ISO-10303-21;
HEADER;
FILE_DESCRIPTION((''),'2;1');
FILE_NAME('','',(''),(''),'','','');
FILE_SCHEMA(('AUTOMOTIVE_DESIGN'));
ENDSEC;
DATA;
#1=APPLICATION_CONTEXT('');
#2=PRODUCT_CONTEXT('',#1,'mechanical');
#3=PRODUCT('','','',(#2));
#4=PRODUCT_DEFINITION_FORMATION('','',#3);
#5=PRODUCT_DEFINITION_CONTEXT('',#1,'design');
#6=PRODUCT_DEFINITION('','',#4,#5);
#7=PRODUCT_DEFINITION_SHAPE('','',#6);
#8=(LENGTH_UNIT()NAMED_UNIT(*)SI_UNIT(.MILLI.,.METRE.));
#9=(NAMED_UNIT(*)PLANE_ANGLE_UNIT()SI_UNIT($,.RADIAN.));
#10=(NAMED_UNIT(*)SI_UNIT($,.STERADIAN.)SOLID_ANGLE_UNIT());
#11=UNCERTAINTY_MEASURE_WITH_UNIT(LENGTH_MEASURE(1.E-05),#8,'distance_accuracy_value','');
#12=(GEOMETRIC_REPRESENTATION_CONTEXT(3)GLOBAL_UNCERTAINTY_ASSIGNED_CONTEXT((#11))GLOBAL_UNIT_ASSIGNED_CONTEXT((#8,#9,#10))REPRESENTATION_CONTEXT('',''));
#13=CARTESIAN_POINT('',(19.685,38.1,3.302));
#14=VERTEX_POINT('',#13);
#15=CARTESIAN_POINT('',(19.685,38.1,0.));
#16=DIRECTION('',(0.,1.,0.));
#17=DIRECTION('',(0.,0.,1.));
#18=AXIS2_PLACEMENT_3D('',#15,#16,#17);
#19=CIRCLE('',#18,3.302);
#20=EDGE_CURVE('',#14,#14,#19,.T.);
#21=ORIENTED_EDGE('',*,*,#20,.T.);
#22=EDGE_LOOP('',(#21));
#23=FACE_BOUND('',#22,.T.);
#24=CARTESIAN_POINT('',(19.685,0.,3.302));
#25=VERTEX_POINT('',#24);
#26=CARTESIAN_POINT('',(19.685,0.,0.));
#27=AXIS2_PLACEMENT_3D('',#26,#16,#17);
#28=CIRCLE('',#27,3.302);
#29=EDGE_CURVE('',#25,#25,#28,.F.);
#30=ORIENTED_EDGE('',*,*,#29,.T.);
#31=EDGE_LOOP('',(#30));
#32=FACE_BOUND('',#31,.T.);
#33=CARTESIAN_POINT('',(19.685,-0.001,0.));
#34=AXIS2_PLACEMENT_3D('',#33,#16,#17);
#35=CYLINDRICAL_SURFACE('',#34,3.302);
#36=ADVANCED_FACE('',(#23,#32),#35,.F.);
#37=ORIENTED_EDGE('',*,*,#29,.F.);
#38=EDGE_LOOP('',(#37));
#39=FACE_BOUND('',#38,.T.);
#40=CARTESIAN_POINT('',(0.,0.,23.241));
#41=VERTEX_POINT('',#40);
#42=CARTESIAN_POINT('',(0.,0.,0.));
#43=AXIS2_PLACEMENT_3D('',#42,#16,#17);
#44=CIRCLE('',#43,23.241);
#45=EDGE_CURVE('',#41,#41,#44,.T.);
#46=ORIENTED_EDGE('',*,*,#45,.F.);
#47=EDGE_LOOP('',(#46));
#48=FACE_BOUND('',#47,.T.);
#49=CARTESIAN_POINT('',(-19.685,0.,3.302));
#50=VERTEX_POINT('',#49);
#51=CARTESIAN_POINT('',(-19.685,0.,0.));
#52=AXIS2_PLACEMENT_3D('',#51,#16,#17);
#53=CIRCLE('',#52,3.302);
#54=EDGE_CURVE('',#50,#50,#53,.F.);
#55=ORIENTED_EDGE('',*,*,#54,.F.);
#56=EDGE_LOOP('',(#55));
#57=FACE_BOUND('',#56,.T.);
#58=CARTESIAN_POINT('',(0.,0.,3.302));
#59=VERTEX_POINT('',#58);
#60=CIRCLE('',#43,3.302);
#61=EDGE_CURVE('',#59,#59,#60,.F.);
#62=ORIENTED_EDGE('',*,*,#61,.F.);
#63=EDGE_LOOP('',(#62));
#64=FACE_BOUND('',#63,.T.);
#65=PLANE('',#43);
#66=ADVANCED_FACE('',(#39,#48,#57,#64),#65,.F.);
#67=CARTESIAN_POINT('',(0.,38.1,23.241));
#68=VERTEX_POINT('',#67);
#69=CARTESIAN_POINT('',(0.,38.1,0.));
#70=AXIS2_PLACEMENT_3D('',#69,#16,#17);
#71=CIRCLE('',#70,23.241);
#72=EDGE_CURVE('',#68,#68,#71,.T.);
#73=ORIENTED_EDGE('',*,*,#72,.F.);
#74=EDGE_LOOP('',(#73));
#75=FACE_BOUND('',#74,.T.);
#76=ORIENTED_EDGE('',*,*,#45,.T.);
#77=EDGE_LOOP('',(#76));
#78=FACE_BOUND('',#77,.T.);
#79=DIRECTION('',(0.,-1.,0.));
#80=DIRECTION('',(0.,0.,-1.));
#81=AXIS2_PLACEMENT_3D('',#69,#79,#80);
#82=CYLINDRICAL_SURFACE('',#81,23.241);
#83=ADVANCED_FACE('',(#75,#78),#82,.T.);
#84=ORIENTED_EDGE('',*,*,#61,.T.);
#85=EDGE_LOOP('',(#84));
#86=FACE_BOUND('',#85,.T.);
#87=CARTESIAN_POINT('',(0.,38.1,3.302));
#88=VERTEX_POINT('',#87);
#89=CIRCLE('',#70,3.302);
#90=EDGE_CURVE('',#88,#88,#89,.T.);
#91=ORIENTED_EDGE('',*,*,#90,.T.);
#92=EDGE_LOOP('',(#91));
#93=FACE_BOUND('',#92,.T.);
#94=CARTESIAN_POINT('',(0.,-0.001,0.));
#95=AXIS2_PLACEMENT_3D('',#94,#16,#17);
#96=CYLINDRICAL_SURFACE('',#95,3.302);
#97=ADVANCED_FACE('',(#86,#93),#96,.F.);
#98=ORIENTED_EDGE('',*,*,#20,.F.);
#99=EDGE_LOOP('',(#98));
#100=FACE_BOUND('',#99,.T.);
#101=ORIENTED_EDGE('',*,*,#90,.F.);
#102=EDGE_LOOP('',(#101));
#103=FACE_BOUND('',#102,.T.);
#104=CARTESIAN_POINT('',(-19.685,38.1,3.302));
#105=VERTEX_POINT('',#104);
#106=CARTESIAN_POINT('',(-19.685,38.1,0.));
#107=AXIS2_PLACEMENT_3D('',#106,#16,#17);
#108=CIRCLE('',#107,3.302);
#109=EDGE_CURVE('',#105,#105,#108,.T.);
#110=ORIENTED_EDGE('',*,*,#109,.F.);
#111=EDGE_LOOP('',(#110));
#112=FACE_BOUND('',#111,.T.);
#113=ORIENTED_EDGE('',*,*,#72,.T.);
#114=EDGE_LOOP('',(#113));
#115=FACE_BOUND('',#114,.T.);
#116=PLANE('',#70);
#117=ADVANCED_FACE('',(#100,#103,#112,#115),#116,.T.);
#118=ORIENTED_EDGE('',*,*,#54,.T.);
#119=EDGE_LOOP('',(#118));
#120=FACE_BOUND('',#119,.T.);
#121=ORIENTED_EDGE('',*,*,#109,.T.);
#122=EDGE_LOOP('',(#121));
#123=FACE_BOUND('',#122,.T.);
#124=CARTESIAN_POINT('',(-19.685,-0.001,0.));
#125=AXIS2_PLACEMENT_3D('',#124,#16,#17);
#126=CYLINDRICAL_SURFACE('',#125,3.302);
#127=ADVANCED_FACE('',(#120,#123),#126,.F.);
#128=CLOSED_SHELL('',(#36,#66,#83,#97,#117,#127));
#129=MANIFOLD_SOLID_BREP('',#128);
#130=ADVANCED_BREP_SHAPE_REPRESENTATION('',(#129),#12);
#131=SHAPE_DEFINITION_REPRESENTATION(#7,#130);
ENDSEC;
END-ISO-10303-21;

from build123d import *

# Parameters (mm, degrees)
SKETCH1_R           = 23.241
BOSS_EXTRUDE1_DEPTH = 38.1
CUT_EXTRUDE1_REACH  = 40.1
SKETCH2_R           = 3.302
CUT_EXTRUDE2_REACH  = 40.1
SKETCH3_R           = 3.302


with BuildPart() as part:
    # Sketch1 → Boss-Extrude1 (new body)
    with BuildSketch(Plane(origin=(0, 0, 0), x_dir=(1, 0, 0), z_dir=(0, 1, 0))):
        Circle(SKETCH1_R)
    extrude(amount=BOSS_EXTRUDE1_DEPTH)

    # Sketch2 → Cut-Extrude1 (cut, up to next)
    with BuildSketch(Plane(origin=(0, 38.1, 0), x_dir=(1, 0, 0), z_dir=(0, 1, 0)), mode=Mode.PRIVATE) as cut_extrude1_sk1:
        with Locations((19.685, 0)):
            Circle(SKETCH2_R)
    cut_extrude1_tool1 = extrude(cut_extrude1_sk1.sketch, amount=-CUT_EXTRUDE1_REACH, mode=Mode.PRIVATE) & part.part
    add(cut_extrude1_tool1.solids().sort_by_distance((19.685, 38.1, 0))[0], mode=Mode.SUBTRACT)
    # Sketch2 → Cut-Extrude1 (cut, up to next)
    with BuildSketch(Plane(origin=(0, 38.1, 0), x_dir=(1, 0, 0), z_dir=(0, 1, 0)), mode=Mode.PRIVATE) as cut_extrude1_sk2:
        with Locations((-19.685, 0)):
            Circle(SKETCH2_R)
    cut_extrude1_tool2 = extrude(cut_extrude1_sk2.sketch, amount=-CUT_EXTRUDE1_REACH, mode=Mode.PRIVATE) & part.part
    add(cut_extrude1_tool2.solids().sort_by_distance((-19.685, 38.1, 0))[0], mode=Mode.SUBTRACT)

    # Sketch3 → Cut-Extrude2 (cut, up to next)
    with BuildSketch(Plane(origin=(0, 38.1, 0), x_dir=(1, 0, 0), z_dir=(0, 1, 0)), mode=Mode.PRIVATE) as cut_extrude2_sk1:
        Circle(SKETCH3_R)
    cut_extrude2_tool1 = extrude(cut_extrude2_sk1.sketch, amount=-CUT_EXTRUDE2_REACH, mode=Mode.PRIVATE) & part.part
    add(cut_extrude2_tool1.solids().sort_by_distance((0, 38.1, 0))[0], mode=Mode.SUBTRACT)


solid = part.part
